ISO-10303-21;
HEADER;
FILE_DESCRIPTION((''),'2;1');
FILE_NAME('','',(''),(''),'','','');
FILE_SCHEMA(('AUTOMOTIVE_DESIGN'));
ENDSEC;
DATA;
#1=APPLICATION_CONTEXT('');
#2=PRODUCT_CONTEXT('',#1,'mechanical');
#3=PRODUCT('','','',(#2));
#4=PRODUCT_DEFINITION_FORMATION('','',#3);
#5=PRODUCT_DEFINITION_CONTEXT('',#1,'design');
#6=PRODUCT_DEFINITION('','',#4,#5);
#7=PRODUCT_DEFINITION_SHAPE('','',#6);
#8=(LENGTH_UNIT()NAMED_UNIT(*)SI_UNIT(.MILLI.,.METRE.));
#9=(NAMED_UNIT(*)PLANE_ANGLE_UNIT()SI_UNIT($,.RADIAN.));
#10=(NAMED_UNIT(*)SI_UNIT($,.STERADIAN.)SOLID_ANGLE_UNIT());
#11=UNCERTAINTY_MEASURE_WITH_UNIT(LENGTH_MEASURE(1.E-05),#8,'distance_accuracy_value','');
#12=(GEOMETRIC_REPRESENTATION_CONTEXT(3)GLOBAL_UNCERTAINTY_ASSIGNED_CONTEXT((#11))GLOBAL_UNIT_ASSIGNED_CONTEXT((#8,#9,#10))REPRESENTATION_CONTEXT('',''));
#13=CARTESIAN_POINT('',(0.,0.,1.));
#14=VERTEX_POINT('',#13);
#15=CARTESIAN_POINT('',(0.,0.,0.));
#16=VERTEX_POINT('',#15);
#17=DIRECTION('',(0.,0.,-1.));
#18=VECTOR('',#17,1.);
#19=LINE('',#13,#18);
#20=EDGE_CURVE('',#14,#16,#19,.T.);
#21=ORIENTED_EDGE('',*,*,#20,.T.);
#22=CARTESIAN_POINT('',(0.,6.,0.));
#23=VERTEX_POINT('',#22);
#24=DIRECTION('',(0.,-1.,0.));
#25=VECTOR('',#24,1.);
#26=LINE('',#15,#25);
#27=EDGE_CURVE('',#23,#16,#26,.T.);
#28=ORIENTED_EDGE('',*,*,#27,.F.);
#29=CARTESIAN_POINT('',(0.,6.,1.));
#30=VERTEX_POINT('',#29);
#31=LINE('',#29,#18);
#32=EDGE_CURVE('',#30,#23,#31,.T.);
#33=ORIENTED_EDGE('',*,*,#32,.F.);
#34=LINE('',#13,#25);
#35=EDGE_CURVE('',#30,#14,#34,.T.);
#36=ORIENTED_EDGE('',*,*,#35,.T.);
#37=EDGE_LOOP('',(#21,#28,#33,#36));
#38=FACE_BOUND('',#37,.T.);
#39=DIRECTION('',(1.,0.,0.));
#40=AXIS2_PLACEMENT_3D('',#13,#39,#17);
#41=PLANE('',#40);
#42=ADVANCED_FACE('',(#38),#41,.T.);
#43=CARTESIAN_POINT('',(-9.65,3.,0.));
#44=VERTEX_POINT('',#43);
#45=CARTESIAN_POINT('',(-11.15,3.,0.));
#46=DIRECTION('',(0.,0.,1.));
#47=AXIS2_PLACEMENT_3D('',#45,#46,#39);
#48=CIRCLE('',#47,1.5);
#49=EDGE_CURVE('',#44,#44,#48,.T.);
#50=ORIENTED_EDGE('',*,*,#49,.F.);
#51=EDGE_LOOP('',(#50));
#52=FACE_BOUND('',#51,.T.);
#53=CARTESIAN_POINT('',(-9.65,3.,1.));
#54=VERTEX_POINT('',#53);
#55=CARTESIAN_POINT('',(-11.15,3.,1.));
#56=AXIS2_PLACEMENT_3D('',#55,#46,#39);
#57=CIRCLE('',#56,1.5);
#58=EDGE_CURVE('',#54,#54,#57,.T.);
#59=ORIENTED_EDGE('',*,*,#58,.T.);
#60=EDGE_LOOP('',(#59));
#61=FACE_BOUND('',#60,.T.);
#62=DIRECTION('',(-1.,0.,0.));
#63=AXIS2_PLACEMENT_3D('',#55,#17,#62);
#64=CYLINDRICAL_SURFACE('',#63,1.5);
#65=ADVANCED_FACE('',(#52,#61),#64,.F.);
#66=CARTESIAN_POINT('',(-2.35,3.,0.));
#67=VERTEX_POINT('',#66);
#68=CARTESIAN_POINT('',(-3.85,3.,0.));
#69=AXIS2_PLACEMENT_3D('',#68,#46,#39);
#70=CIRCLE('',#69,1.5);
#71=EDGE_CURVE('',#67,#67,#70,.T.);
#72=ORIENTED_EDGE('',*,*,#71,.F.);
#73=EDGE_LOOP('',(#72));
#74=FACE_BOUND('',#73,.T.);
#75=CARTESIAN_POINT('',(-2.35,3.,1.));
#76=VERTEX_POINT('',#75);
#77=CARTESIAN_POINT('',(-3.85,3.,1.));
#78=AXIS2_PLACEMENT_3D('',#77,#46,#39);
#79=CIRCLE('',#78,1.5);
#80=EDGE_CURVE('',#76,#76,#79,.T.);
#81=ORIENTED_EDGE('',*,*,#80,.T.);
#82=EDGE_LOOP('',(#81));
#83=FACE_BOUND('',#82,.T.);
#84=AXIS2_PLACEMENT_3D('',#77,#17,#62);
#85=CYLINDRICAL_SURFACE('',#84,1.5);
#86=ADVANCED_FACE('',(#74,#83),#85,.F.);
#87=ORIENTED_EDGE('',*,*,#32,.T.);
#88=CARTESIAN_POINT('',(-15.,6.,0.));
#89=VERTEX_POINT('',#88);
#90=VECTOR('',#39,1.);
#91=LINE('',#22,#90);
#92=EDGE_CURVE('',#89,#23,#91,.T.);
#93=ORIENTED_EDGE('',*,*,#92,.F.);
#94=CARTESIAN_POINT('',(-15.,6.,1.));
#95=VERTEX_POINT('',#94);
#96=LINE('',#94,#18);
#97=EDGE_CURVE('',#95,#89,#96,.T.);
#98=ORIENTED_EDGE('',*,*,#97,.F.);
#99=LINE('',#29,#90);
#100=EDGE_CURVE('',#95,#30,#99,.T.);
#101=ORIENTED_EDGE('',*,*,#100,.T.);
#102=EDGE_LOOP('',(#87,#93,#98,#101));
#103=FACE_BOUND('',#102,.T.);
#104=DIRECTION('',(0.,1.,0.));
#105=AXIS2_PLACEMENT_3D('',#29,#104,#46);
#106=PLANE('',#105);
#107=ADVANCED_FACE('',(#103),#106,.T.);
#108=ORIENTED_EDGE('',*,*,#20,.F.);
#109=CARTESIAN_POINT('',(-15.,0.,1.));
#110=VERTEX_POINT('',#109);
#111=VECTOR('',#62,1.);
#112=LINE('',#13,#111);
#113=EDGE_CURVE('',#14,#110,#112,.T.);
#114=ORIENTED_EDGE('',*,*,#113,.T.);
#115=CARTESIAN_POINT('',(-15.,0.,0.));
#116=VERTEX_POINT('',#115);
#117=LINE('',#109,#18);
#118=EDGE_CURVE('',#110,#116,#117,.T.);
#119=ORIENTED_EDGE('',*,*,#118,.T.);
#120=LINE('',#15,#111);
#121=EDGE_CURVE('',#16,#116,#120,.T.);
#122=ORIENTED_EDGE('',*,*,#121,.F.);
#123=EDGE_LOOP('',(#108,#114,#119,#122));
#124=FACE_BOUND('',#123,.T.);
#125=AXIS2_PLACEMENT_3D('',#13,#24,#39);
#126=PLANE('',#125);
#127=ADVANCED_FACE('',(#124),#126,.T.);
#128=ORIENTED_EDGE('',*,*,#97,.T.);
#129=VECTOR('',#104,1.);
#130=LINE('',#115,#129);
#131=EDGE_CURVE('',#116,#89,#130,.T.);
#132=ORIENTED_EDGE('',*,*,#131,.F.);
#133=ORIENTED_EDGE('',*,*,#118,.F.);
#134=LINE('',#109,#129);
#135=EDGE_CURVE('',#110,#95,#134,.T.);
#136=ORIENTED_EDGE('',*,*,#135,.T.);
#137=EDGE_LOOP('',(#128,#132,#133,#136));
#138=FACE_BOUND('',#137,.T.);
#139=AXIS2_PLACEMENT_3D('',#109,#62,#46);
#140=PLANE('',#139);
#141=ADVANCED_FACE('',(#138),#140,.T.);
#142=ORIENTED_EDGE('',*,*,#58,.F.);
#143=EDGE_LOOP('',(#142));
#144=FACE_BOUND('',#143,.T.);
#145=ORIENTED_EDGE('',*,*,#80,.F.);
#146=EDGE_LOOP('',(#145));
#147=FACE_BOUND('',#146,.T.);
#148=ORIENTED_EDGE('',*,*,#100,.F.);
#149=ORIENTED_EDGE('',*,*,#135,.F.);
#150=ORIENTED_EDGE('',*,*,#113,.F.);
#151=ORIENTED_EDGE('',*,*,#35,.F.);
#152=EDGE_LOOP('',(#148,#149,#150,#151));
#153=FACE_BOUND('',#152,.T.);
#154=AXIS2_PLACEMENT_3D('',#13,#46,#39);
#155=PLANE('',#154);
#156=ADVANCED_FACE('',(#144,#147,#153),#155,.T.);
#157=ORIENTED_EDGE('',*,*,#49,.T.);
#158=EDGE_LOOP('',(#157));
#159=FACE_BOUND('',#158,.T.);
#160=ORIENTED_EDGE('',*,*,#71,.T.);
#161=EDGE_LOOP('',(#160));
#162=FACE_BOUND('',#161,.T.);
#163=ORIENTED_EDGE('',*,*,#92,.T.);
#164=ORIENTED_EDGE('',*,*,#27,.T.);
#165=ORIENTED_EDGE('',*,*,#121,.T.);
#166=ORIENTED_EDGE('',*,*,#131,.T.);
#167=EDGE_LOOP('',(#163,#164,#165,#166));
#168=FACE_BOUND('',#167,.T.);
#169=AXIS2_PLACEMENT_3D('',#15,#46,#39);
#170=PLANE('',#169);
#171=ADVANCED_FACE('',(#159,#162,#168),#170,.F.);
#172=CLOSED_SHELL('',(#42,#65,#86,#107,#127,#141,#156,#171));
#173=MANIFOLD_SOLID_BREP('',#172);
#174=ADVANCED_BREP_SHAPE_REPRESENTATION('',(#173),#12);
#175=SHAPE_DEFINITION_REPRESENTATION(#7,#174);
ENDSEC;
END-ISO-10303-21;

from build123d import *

# Parameters (mm, degrees)
SKETCH1_W           = 15
SKETCH1_H           = 6
SKETCH1_R           = 1.5
BOSS_EXTRUDE1_DEPTH = 1


with BuildPart() as part:
    # Sketch1 → Boss-Extrude1 (new body)
    with BuildSketch(Plane.XY):
        with Locations((-7.5, 3)):
            Rectangle(SKETCH1_W, SKETCH1_H)
        with Locations((-3.85, 3)):
            Circle(SKETCH1_R, mode=Mode.SUBTRACT)
        with Locations((-11.15, 3)):
            Circle(SKETCH1_R, mode=Mode.SUBTRACT)
    extrude(amount=BOSS_EXTRUDE1_DEPTH)


solid = part.part
